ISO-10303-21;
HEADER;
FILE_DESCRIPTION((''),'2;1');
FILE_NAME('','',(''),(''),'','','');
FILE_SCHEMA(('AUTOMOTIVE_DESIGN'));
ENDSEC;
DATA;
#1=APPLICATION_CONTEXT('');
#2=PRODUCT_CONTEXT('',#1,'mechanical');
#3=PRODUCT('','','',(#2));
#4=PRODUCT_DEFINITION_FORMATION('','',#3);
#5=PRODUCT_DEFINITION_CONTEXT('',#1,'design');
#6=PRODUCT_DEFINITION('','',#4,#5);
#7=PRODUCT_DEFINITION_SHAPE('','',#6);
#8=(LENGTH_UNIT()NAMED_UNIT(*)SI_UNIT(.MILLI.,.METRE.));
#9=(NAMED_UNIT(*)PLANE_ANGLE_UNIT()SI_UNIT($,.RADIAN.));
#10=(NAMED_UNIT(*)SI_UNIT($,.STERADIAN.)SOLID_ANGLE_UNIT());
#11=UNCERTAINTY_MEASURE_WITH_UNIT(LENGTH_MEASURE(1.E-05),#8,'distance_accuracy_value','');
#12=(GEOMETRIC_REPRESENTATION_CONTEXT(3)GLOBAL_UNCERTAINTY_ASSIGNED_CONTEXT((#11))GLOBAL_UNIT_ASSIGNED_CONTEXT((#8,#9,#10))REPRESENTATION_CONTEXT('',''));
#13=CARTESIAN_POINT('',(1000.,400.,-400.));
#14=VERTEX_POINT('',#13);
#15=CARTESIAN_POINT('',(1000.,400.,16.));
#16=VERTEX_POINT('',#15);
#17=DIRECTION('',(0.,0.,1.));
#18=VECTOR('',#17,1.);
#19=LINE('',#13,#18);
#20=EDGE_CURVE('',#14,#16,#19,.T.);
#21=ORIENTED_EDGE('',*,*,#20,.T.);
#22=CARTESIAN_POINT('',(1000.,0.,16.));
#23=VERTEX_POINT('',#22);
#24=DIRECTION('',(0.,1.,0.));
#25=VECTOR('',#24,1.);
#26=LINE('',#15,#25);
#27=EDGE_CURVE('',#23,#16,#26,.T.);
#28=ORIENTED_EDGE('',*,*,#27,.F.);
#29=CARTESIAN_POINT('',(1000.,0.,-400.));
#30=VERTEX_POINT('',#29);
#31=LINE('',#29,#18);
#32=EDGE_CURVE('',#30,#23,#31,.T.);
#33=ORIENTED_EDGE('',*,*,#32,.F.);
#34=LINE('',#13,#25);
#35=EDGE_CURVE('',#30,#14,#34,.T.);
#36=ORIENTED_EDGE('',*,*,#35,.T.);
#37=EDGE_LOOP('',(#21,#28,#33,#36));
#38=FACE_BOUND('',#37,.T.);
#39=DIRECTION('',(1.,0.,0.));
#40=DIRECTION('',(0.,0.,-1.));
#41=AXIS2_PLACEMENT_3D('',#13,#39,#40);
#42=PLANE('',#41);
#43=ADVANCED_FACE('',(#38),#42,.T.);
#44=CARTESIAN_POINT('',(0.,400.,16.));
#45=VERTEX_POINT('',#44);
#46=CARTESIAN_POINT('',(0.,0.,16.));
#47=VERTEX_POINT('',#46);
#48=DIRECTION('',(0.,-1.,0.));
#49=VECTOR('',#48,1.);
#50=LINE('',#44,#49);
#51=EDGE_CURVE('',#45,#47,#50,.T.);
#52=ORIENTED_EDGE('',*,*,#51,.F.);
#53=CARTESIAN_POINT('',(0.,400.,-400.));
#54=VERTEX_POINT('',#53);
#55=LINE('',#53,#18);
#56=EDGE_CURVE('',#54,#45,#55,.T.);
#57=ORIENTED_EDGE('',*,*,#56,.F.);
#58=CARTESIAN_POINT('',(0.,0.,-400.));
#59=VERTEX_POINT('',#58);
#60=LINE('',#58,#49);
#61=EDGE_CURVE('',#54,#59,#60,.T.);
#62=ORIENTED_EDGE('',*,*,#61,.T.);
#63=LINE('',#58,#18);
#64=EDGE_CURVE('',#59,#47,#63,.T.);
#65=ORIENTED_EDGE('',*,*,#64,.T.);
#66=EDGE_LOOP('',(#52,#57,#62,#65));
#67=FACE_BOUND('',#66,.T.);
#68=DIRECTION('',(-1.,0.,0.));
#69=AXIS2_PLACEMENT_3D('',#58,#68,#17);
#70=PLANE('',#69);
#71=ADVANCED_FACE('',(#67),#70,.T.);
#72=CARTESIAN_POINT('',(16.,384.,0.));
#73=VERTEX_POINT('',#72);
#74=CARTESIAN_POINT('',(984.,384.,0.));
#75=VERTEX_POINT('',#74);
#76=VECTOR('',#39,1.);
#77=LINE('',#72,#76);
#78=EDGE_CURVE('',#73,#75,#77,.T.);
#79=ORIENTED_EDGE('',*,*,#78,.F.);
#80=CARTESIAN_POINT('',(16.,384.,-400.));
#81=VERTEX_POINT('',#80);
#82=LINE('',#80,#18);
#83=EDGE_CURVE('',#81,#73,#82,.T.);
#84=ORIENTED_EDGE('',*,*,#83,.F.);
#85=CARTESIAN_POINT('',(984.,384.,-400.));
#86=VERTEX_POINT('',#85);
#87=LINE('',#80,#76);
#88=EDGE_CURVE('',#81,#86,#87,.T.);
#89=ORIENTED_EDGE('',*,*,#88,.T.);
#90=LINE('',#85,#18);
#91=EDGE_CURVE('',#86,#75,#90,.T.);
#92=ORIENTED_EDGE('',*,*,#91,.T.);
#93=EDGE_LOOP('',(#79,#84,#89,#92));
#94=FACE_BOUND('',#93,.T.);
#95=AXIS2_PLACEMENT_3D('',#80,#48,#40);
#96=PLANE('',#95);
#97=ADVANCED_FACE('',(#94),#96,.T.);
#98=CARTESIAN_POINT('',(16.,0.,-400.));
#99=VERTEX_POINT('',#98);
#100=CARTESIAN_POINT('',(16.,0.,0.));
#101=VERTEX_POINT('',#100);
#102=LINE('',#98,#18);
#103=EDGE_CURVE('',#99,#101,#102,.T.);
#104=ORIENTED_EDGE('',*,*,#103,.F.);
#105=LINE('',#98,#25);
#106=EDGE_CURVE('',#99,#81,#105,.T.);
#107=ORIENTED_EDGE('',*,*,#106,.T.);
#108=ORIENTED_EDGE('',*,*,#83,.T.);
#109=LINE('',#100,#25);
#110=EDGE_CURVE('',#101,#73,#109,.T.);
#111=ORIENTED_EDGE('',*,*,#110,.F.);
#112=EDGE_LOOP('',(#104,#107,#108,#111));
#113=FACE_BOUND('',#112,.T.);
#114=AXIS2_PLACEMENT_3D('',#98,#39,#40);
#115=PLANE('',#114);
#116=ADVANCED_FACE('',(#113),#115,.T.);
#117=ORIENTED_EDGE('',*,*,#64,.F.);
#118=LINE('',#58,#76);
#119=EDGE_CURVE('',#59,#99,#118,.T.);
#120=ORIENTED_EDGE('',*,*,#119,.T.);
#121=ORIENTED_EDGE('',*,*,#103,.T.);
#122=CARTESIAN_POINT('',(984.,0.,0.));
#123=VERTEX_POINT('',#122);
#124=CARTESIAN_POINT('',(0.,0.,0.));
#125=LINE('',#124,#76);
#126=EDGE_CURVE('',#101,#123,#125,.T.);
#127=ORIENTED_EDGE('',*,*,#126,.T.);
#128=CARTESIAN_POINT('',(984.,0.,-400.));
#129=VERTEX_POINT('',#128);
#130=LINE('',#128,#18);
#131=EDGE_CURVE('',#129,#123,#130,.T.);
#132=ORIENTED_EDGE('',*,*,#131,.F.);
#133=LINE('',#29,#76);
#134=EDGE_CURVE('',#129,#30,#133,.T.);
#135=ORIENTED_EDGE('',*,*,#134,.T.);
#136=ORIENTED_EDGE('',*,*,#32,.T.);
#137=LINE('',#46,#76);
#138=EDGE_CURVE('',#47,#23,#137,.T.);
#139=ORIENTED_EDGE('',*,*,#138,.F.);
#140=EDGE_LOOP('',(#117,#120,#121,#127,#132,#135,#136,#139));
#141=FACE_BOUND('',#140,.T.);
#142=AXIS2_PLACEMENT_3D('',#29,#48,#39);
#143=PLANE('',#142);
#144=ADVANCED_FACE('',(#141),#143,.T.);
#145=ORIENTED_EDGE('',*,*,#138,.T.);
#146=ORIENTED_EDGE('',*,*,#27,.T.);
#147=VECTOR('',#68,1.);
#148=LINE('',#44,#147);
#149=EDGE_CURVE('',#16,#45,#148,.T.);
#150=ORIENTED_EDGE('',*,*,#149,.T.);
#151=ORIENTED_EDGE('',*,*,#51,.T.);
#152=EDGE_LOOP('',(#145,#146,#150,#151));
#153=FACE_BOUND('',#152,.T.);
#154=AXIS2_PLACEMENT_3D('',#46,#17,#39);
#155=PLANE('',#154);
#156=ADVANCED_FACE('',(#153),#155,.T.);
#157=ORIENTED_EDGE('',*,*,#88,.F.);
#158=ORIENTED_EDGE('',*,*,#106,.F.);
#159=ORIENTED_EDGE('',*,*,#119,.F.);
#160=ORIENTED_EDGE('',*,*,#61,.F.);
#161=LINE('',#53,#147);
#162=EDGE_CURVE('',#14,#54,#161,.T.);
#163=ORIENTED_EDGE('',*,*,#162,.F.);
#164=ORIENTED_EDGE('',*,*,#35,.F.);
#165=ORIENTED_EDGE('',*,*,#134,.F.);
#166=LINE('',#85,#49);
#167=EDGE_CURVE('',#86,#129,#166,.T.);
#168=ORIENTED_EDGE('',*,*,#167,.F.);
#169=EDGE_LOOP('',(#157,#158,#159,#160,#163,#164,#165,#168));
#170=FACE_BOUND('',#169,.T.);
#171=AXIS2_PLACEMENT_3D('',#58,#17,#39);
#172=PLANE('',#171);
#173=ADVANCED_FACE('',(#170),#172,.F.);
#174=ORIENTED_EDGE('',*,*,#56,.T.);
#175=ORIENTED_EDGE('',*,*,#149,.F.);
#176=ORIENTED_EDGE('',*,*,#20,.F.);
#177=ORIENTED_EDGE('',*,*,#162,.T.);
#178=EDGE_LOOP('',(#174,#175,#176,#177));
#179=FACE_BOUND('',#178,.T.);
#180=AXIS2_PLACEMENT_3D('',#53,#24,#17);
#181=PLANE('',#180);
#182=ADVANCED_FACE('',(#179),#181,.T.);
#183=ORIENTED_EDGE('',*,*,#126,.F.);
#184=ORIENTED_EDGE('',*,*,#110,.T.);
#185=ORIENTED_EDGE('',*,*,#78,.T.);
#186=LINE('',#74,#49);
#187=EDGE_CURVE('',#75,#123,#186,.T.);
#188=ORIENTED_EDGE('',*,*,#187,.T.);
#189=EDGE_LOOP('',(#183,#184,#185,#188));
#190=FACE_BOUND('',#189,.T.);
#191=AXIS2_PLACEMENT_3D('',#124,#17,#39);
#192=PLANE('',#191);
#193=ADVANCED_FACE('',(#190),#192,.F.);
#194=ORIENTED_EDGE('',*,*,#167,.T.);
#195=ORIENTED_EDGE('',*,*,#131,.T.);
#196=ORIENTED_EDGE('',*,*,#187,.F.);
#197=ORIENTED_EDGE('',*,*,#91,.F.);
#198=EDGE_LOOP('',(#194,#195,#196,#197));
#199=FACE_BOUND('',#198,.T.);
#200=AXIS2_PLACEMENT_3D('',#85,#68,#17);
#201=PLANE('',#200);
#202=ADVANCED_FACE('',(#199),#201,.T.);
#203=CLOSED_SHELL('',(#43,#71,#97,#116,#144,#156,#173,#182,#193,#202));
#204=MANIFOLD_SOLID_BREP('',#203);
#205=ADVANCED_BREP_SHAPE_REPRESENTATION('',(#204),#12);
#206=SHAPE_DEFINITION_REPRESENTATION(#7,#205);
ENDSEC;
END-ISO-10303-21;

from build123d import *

# Parameters (mm, degrees)
AUFSATZ_LINEAR_AUSTRAGEN1_DEPTH = 400
SKIZZE2_W                       = 1000
SKIZZE2_H                       = 400
AUFSATZ_LINEAR_AUSTRAGEN2_DEPTH = 16


with BuildPart() as part:
    # Skizze1 → Aufsatz-Linear austragen1 (new body)
    with BuildSketch(Plane.XY):
        Polygon((0, 0), (0, 400), (1000, 400), (1000, 0), (984, 0), (984, 384), (16, 384), (16, 0), align=None)
    extrude(amount=-AUFSATZ_LINEAR_AUSTRAGEN1_DEPTH)

    # Skizze2 → Aufsatz-Linear austragen2 (add)
    with BuildSketch(Plane.XY):
        with Locations((500, 200)):
            Rectangle(SKIZZE2_W, SKIZZE2_H)
    extrude(amount=AUFSATZ_LINEAR_AUSTRAGEN2_DEPTH)


solid = part.part
